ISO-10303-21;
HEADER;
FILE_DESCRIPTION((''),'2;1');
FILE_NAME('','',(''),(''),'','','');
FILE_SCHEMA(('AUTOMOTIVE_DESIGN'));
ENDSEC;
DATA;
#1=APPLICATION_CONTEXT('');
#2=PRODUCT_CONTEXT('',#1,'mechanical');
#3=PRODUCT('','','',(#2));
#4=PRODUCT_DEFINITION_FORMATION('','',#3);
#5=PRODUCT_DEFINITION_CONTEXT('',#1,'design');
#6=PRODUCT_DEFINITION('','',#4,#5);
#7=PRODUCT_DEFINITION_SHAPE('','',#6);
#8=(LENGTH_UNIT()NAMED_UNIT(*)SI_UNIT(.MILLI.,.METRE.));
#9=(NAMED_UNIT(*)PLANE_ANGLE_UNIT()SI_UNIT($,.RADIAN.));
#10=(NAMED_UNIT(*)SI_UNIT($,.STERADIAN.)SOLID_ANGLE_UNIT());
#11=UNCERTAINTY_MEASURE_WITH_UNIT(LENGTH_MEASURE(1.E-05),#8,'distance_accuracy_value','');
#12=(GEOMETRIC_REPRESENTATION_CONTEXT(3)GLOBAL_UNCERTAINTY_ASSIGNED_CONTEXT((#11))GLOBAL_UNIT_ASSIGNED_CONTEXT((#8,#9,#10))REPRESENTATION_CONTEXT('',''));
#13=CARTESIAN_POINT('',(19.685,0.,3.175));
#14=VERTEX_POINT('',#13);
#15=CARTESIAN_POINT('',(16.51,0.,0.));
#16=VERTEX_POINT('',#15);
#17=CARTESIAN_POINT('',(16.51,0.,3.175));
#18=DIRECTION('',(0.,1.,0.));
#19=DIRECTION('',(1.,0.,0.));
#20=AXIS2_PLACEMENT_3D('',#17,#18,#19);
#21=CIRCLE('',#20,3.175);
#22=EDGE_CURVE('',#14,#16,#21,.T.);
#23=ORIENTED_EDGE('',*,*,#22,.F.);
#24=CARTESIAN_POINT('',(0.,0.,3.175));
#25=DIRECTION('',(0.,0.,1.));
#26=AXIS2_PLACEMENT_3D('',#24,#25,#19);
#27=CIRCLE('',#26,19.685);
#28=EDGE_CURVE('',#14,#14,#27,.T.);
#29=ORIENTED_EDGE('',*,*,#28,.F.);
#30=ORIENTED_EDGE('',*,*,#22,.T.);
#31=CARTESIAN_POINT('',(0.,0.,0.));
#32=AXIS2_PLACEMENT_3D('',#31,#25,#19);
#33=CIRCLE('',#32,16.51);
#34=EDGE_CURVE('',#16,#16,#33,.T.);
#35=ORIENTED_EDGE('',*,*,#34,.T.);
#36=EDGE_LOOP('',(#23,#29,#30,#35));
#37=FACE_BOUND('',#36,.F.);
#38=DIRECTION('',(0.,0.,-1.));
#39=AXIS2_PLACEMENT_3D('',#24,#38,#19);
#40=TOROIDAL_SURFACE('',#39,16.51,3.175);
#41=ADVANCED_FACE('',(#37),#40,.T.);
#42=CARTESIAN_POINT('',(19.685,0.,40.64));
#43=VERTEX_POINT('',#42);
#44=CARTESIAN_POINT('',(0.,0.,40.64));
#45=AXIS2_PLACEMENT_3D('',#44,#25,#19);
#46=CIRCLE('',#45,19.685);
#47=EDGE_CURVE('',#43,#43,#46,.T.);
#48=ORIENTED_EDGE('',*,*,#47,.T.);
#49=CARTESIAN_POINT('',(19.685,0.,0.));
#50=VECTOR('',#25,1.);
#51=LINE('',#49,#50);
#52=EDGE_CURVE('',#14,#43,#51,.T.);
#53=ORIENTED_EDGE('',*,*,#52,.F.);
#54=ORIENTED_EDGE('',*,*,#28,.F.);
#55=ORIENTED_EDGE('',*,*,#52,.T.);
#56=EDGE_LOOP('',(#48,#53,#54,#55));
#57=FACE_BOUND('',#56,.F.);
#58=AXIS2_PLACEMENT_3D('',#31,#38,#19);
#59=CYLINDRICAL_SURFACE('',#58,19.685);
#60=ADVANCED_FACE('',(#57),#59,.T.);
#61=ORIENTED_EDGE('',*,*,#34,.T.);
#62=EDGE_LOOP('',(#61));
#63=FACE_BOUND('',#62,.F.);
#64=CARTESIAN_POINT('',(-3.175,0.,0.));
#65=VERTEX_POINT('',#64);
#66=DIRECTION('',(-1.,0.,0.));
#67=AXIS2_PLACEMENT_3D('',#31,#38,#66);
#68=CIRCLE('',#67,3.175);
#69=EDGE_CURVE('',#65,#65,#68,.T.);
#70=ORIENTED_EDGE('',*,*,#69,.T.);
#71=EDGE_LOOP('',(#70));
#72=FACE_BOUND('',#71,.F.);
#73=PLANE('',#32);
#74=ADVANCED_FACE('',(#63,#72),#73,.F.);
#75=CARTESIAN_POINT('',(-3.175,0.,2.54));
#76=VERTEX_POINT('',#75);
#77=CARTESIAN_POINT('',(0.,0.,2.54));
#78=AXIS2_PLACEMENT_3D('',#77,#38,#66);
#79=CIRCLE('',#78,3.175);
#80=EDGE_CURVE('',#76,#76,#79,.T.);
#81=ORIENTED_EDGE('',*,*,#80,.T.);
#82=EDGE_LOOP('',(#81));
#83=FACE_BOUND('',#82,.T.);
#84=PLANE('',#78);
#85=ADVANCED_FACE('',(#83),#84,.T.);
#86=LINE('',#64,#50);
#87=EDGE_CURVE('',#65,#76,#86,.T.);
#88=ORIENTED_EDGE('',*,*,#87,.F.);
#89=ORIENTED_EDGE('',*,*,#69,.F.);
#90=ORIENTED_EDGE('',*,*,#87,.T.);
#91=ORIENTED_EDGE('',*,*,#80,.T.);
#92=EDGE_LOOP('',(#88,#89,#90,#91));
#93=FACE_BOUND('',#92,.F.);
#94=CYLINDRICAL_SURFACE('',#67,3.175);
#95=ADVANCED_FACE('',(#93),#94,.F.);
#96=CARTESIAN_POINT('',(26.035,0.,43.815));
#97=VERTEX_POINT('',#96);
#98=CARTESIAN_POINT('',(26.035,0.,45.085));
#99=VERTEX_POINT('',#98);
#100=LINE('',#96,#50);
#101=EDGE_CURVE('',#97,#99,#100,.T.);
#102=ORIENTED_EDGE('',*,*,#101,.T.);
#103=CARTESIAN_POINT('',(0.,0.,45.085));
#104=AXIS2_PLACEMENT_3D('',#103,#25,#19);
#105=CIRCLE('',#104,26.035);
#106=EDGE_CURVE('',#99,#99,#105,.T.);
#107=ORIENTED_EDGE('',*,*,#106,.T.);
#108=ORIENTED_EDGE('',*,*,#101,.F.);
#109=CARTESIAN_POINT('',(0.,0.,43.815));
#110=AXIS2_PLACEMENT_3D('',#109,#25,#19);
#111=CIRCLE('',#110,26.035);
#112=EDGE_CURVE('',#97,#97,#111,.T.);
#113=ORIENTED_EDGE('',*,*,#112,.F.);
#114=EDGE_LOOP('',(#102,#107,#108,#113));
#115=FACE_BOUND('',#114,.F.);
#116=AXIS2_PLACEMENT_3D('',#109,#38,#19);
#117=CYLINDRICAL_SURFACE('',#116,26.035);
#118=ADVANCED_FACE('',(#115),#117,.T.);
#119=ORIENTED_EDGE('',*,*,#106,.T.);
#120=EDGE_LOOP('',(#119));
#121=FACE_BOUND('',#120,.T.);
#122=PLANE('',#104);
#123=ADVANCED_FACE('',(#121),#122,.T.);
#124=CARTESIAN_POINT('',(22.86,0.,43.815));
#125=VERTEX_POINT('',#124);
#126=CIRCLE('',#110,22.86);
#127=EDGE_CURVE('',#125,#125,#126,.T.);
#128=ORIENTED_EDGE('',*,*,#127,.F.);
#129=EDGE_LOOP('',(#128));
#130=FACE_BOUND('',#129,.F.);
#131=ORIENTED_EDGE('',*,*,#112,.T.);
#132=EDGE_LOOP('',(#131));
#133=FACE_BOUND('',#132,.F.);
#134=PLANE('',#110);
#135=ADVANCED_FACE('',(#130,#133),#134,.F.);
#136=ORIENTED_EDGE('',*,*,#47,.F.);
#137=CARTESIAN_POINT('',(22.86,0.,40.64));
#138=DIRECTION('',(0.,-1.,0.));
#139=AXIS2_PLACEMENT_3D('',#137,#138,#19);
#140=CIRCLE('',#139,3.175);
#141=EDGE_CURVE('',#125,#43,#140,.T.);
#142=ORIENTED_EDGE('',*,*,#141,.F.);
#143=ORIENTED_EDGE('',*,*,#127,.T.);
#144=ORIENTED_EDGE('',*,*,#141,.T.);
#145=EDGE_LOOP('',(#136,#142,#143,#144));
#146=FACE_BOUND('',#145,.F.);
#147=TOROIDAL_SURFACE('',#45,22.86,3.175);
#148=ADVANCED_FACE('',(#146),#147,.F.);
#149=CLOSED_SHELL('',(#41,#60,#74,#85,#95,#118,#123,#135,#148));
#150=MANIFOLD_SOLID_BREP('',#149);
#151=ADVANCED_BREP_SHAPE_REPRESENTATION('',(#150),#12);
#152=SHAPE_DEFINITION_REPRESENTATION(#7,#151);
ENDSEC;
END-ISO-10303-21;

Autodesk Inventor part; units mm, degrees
ref_plane "YZ Plane" through (0, 0, 0) normal (1, 0, 0) x (0, 1, 0)
ref_plane "XZ Plane" through (0, 0, 0) normal (0, 1, 0) x (-1, 0, 0)
ref_plane "XY Plane" through (0, 0, 0) normal (0, 0, 1) x (1, 0, 0)
sketch "Sketch1" plane through (0, 0, 0) normal (0, 0, 1) x (1, 0, 0)
  circle A0 centre (0, 0) radius 19.685
  dimension "d0" = 39.37
extrude "Extrusion1" add sketch "Sketch1" along normal blind 43.815
sketch "Sketch2" plane through (0, 0, 43.815) normal (0, 0, 1) x (1, 0, 0)
  circle A0 centre (0, 0) radius 19.685 projected
  circle A1 centre (0, 0) radius 26.035
  dimension "d4" = 52.07
extrude "Extrusion2" add sketch "Sketch2" along normal blind 1.27 contours A0 | A1
fillet "Fillet1" radius 3.175 2 edges at (-19.685, 0, 0) (-19.685, 0, 43.815)
sketch "Sketch3" plane through (0, 0, 0) normal (0, 0, -1) x (-1, 0, 0)
  circle A0 centre (0, 0) radius 16.51 projected
  circle A1 centre (0, 0) radius 3.175
  dimension "d9" = 6.35
extrude "Extrusion3" cut sketch "Sketch3" against normal blind 2.54 contours A1
properties part number "Lg Motor Top" material "ABS Plastic"
